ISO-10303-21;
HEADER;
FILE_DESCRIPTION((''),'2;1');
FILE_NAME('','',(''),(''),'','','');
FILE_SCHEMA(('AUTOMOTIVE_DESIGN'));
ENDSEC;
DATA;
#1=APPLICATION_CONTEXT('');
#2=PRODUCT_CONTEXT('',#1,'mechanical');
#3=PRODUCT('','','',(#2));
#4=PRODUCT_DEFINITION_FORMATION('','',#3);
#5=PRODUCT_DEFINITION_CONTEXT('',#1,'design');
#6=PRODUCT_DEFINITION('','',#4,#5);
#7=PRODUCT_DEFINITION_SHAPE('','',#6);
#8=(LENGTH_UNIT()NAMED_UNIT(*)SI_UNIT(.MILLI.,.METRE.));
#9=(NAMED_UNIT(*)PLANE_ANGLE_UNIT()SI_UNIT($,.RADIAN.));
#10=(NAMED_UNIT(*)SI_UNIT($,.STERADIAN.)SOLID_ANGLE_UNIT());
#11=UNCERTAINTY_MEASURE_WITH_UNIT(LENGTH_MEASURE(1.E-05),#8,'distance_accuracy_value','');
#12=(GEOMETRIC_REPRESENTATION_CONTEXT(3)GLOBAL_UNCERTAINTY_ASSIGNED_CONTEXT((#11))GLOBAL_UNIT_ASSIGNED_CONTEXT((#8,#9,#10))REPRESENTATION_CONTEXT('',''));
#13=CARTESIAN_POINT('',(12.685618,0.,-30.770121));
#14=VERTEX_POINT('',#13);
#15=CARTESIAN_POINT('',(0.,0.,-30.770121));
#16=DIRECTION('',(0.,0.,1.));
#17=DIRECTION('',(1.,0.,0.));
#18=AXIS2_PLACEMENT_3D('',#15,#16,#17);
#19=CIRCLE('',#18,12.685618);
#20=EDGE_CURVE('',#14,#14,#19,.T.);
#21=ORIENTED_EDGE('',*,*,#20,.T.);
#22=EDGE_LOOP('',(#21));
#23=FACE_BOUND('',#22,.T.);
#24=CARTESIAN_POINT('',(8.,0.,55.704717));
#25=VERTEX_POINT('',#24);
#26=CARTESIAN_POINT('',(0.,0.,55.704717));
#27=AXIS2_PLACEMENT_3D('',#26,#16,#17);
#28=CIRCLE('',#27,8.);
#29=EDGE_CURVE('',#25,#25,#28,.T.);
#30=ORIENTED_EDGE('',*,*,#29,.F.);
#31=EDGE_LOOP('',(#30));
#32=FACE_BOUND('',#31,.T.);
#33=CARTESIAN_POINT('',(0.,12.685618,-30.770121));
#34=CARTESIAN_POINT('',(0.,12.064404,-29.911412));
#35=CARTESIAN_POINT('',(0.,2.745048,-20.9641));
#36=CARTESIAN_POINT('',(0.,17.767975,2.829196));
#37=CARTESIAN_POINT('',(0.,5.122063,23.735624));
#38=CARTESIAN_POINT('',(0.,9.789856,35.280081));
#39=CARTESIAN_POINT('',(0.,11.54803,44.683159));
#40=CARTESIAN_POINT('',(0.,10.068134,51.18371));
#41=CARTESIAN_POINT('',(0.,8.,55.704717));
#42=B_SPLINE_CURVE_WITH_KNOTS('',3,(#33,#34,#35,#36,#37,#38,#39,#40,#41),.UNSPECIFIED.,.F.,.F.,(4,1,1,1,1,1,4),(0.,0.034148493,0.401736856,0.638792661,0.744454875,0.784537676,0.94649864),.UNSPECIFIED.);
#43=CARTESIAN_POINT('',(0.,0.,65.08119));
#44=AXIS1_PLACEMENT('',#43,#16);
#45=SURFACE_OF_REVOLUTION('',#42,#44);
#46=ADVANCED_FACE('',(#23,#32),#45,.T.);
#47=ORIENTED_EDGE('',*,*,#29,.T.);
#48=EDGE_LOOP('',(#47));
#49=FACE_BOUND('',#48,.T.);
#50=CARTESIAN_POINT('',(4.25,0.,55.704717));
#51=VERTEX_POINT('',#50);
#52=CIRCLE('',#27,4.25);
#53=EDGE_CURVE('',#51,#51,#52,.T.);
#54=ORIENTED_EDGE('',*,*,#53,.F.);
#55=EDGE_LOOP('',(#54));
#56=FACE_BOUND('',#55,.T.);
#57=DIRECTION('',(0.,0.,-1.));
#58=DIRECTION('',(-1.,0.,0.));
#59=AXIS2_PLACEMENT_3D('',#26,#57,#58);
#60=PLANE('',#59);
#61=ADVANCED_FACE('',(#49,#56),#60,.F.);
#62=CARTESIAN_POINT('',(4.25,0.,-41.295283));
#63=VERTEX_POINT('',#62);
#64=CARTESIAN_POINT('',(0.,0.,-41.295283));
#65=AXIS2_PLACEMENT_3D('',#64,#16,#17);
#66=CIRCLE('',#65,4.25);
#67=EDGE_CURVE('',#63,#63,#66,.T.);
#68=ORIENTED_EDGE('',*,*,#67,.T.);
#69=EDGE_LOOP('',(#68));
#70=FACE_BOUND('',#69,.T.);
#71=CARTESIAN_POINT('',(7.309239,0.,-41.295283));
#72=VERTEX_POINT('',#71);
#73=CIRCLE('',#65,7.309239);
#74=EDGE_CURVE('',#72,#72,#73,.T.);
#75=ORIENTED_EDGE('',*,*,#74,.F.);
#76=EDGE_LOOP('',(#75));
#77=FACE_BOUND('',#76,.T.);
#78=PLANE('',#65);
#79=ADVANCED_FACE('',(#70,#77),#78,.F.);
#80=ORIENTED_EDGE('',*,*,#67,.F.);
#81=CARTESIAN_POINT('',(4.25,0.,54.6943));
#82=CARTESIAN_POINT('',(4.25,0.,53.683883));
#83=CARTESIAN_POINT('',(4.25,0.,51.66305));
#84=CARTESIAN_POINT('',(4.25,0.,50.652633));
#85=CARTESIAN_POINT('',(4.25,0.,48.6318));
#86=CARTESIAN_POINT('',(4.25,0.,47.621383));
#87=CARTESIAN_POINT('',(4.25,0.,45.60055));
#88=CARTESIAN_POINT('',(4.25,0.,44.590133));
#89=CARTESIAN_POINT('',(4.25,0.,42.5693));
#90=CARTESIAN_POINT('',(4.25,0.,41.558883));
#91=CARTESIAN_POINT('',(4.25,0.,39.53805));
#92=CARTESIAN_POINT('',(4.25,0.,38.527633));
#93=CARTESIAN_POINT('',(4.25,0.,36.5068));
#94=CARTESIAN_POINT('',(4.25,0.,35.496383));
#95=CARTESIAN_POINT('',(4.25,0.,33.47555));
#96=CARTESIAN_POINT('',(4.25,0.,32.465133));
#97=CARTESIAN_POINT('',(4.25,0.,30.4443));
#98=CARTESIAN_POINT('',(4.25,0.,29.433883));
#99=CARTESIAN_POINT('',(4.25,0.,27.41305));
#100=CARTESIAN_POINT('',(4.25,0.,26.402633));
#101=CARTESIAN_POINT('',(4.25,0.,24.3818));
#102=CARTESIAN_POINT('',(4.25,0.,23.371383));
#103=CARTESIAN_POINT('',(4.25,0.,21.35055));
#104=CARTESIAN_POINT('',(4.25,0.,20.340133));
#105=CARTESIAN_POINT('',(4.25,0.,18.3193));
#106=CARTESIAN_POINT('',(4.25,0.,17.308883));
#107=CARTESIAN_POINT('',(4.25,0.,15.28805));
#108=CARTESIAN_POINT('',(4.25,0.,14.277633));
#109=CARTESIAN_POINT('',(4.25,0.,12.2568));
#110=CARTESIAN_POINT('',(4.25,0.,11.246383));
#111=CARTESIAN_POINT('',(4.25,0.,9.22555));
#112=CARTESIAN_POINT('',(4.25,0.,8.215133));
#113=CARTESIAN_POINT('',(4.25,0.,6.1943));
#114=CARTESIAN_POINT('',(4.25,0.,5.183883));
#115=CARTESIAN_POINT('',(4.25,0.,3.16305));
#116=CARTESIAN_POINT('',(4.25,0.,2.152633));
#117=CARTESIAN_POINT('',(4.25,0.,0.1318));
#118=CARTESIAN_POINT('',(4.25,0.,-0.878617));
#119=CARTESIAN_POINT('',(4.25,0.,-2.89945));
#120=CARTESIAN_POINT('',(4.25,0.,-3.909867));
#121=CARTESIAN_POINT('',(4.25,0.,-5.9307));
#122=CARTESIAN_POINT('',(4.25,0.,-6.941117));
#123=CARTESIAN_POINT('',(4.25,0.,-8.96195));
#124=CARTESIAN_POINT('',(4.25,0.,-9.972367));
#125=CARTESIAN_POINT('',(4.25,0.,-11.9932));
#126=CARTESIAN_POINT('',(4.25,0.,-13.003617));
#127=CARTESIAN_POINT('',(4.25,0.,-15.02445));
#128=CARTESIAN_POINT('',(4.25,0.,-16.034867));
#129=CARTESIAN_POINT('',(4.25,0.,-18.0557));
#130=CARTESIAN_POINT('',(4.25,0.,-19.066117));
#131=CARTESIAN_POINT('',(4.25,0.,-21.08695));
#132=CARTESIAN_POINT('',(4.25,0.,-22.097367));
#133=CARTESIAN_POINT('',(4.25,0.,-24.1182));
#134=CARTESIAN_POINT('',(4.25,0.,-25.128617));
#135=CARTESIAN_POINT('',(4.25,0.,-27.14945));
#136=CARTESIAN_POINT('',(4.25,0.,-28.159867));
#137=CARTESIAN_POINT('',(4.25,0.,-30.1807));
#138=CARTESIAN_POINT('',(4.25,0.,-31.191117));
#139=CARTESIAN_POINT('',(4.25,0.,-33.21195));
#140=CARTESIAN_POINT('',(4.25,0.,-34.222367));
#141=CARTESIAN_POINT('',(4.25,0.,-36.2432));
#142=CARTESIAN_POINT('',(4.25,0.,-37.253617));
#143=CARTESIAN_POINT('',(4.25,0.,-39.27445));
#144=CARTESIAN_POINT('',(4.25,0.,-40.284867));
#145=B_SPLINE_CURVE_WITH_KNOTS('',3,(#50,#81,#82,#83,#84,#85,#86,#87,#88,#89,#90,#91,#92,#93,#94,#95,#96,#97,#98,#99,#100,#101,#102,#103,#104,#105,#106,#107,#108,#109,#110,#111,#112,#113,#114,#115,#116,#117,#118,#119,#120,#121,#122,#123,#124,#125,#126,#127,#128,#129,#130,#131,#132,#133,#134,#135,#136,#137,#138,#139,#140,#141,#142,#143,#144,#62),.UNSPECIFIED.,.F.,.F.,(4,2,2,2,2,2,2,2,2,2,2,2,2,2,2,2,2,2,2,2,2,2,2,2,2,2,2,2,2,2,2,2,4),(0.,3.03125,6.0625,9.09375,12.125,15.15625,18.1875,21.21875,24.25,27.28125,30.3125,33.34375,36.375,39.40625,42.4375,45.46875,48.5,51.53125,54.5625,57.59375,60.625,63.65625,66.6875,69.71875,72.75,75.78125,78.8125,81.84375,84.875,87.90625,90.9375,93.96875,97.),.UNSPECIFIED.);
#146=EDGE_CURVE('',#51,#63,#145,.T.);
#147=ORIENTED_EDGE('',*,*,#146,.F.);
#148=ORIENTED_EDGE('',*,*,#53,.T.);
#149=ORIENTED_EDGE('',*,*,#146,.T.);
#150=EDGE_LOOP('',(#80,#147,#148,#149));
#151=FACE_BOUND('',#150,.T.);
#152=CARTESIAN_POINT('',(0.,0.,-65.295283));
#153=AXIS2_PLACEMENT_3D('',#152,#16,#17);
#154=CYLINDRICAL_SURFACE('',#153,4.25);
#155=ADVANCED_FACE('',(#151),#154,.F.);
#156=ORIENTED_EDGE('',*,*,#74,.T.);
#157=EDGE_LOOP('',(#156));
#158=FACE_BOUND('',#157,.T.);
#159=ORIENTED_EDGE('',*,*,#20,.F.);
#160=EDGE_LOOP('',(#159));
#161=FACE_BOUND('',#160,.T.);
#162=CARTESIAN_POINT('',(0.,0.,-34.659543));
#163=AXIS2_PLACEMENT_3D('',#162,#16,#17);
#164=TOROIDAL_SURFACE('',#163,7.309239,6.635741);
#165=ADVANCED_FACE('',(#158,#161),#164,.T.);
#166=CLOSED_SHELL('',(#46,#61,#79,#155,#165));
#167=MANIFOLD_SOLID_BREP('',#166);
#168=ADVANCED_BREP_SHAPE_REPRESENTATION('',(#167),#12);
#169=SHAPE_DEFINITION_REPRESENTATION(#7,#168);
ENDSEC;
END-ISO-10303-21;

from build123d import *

# Parameters (mm, degrees)
CROQUIS2_R            = 4.25
CORTAR_EXTRUIR1_DEPTH = 121


with BuildPart() as part:
    # Croquis1 → Revolución1 (revolve)
    with BuildSketch(Plane(origin=(0, 0, 0), x_dir=(0, 0, -1), z_dir=(1, 0, 0)), mode=Mode.PRIVATE) as revoluci_n1_sk:
        with BuildLine():
            Line((-55.704716564, 0), (-55.704716564, 8))
            add(Edge.make_bspline(
                [(-55.704716564, 8), (-51.183710062, 10.068134077), (-44.683158551, 11.548030346), (-35.280080741, 9.789856302), (-23.735624334, 5.122063382), (-2.829195906, 17.767975146), (20.964100167, 2.745047777), (29.911411888, 12.064404114), (30.770120934, 12.68561812)],
                knots=[0, 0, 0, 0, 0.161960964, 0.202043766, 0.307705979, 0.544761784, 0.912350147, 0.94649864, 0.94649864, 0.94649864, 0.94649864], degree=3))
            ThreePointArc((30.770120934, 12.68561812), (37.678140046, 13.218649059), (41.295283436, 7.309239297))
            Line((41.295283436, 7.309239297), (41.295283436, 0))
            Line((41.295283436, 0), (-55.704716564, 0))
        make_face()
    revolve(revoluci_n1_sk.sketch.rotate(Axis((0, 0, 65.08119007), (0, 0, -1)), 90), axis=Axis((0, 0, 65.08119007), (0, 0, -1)))

    # Croquis2 → Cortar-Extruir1 (cut)
    with BuildSketch(Plane.XY.offset(55.704716564)):
        Circle(CROQUIS2_R)
    extrude(amount=-CORTAR_EXTRUIR1_DEPTH, mode=Mode.SUBTRACT)


solid = part.part
